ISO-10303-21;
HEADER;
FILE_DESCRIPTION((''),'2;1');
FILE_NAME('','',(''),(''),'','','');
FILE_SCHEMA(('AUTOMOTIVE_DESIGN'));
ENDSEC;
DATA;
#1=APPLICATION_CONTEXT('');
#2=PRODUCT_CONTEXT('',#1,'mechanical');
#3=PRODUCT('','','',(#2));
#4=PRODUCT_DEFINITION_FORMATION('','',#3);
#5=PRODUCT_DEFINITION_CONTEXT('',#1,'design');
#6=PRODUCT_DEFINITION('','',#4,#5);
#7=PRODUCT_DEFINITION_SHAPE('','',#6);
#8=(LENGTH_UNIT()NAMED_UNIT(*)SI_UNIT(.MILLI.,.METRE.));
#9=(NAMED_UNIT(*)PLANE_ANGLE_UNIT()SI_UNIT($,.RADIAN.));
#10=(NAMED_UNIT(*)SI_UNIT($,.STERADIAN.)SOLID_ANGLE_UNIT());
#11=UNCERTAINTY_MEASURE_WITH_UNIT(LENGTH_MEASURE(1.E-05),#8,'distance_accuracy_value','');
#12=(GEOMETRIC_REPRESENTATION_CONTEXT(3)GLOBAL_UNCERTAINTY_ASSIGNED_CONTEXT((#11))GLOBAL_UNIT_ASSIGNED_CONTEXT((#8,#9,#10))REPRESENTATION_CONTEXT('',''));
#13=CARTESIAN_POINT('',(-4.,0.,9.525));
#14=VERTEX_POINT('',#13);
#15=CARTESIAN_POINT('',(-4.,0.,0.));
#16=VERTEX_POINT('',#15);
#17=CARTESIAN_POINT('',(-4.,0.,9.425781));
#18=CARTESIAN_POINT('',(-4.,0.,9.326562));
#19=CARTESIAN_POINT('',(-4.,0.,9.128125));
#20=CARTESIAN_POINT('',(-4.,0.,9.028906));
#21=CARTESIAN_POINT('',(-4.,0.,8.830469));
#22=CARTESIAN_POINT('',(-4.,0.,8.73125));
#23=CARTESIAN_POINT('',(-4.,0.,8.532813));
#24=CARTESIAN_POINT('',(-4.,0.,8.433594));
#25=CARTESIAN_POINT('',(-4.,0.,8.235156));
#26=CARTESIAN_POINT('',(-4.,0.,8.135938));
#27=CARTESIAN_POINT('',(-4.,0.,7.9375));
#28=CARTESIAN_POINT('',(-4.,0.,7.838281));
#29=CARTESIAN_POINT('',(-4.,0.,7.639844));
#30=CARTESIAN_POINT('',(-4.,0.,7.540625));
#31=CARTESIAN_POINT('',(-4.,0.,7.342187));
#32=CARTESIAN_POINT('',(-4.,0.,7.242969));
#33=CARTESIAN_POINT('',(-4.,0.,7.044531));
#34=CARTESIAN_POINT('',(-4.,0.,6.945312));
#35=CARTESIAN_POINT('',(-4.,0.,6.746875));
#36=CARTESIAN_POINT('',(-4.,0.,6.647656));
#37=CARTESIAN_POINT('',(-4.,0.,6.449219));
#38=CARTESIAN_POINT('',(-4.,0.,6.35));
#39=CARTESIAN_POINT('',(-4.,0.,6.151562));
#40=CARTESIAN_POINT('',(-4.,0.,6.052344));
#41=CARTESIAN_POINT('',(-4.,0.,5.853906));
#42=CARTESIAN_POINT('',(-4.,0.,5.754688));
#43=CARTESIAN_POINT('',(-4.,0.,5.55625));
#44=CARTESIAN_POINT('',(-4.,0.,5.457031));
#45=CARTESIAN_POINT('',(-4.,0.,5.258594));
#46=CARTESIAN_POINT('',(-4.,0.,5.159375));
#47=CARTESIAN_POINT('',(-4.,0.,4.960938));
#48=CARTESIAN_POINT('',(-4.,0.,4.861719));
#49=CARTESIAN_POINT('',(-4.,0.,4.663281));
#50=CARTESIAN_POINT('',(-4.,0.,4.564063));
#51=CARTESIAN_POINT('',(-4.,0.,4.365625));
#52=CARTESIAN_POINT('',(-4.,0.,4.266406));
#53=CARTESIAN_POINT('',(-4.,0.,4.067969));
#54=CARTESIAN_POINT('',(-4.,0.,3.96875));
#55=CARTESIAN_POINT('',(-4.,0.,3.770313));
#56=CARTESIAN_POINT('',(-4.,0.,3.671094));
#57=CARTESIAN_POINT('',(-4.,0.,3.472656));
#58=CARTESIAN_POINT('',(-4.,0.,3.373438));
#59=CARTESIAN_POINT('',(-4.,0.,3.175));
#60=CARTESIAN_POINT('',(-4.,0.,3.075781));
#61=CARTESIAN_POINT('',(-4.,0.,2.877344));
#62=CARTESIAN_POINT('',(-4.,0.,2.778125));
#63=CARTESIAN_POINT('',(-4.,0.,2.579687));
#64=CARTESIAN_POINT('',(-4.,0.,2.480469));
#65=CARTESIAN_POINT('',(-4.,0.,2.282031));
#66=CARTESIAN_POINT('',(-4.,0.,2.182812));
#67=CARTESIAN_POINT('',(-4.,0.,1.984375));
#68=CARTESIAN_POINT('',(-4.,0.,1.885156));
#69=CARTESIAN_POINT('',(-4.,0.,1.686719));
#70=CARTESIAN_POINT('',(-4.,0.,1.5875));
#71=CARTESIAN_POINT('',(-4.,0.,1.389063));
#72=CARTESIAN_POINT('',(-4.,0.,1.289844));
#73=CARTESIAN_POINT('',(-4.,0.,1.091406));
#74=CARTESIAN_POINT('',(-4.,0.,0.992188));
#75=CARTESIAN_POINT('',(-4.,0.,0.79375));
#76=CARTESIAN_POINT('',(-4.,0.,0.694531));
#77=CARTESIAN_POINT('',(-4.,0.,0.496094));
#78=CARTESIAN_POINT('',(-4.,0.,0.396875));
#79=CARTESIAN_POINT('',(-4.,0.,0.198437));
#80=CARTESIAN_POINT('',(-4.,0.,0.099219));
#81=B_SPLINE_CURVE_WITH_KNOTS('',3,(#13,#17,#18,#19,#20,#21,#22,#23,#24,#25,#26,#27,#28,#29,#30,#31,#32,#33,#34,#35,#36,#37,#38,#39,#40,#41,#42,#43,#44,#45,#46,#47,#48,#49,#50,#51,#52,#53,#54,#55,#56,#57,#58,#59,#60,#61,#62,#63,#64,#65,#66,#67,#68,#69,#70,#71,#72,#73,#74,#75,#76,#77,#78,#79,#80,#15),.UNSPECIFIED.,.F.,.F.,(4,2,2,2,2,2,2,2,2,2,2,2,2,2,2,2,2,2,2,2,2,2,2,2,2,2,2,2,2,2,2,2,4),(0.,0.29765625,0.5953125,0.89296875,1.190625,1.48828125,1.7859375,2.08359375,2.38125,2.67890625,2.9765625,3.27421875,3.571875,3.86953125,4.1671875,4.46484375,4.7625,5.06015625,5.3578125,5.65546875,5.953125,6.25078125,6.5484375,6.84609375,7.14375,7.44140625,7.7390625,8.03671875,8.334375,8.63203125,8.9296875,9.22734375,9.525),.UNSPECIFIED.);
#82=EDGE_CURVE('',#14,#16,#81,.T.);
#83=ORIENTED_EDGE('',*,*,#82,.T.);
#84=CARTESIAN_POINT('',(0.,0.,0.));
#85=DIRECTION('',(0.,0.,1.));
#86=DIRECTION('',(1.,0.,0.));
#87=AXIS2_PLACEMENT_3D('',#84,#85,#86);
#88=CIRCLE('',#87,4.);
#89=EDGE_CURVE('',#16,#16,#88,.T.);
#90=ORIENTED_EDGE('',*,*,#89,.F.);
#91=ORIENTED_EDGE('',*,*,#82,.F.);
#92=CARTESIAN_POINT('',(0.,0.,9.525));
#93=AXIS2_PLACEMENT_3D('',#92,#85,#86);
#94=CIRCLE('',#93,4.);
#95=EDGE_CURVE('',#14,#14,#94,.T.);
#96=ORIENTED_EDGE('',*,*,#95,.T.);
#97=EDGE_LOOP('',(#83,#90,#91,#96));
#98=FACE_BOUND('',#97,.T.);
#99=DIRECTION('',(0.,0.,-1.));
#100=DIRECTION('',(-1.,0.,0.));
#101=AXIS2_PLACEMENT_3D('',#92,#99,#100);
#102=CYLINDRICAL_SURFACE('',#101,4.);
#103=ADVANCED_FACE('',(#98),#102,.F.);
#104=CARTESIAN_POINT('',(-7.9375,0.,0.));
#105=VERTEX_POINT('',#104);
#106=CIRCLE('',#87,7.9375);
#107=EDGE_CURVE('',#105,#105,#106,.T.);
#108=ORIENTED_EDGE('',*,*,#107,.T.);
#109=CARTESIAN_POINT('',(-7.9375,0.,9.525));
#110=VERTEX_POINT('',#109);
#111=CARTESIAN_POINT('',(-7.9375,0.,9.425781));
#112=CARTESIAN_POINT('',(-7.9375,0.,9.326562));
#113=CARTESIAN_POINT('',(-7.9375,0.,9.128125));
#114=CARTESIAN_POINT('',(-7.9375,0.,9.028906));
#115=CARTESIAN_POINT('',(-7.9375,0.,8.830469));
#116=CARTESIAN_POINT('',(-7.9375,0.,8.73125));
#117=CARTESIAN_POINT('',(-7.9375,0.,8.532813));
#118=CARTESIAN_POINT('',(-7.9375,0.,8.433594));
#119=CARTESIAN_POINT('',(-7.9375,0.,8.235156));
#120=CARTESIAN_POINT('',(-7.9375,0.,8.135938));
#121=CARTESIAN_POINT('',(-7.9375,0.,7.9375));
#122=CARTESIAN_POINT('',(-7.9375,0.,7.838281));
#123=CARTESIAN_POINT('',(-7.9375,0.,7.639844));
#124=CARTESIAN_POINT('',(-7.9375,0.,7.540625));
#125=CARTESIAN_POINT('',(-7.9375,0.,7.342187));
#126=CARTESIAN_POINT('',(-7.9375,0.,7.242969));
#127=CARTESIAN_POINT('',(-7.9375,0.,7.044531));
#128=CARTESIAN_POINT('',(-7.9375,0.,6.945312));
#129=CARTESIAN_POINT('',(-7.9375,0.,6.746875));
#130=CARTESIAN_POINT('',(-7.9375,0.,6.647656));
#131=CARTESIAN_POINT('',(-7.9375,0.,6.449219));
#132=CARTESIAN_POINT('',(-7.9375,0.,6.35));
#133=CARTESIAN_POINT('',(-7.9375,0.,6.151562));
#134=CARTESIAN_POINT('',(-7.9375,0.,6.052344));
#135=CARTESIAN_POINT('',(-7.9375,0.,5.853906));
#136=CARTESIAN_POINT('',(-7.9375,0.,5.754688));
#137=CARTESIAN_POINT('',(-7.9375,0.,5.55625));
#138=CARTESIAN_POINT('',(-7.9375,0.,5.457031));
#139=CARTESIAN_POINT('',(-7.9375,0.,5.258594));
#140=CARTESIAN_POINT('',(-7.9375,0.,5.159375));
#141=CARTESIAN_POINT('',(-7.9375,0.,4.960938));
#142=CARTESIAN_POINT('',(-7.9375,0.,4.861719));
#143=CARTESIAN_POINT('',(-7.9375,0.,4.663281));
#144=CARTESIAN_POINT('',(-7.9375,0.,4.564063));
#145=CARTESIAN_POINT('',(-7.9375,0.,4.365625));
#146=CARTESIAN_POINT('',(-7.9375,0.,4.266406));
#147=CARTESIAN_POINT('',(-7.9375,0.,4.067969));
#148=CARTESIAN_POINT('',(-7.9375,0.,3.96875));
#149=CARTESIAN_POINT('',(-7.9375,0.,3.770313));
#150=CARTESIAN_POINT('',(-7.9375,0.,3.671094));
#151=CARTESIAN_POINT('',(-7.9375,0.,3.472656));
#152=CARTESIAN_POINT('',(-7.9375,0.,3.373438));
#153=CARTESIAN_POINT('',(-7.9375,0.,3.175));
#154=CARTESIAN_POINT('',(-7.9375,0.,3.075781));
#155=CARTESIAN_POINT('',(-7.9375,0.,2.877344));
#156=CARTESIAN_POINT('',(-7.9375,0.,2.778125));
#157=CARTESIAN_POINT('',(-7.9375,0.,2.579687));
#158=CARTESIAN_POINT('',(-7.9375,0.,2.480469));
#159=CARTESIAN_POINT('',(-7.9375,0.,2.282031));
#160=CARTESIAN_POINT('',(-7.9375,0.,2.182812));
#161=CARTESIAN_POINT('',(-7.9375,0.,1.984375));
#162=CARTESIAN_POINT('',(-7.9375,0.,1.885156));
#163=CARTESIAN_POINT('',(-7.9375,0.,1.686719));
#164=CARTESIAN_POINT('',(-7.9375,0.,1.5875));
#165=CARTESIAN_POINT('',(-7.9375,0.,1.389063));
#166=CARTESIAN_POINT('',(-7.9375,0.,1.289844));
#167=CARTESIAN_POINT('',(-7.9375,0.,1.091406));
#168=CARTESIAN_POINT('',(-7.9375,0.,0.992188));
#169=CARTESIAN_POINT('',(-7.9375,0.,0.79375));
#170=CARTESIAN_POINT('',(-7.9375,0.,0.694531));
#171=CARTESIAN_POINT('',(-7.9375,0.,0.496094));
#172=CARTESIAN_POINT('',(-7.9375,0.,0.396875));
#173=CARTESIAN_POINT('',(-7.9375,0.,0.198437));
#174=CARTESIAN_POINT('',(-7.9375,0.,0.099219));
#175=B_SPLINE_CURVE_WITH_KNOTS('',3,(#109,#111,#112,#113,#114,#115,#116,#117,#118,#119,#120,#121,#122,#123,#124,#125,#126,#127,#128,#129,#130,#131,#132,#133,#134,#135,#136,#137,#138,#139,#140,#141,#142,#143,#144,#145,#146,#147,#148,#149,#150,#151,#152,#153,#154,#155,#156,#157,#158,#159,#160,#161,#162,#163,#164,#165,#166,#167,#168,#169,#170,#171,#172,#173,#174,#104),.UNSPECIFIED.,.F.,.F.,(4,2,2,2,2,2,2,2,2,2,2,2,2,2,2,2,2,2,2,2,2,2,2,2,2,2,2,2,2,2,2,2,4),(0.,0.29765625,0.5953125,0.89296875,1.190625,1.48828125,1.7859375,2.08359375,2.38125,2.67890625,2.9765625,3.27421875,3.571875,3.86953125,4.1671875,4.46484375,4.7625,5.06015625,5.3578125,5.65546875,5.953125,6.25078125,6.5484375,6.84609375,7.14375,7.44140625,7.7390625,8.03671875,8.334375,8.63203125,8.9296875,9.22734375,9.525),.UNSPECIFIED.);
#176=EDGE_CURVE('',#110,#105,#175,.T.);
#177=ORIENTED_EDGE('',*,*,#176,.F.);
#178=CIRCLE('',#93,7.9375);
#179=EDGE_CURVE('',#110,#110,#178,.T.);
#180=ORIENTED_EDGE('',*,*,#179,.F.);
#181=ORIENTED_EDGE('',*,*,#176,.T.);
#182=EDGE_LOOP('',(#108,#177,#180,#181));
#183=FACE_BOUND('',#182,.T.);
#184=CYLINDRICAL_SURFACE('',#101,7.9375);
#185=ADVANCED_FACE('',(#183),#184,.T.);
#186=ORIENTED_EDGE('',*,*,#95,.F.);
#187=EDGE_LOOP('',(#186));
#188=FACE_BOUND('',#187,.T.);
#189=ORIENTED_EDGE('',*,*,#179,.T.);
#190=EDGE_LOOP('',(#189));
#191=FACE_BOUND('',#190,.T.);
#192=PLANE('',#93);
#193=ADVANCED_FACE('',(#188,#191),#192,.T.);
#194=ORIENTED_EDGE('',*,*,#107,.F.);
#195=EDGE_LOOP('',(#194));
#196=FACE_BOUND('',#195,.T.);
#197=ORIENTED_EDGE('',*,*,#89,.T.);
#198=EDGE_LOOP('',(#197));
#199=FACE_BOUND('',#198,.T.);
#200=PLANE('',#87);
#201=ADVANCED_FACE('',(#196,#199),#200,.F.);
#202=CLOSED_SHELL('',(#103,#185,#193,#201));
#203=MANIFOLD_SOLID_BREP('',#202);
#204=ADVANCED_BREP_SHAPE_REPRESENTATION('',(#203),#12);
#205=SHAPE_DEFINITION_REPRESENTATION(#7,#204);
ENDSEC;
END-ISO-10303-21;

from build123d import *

# Parameters (mm, degrees)
SKETCH1_R           = 7.9375
SKETCH1_R_2         = 4
BOSS_EXTRUDE1_DEPTH = 9.525


with BuildPart() as part:
    # Sketch1 → Boss-Extrude1 (new body)
    with BuildSketch(Plane.XY):
        Circle(SKETCH1_R)
        Circle(SKETCH1_R_2, mode=Mode.SUBTRACT)
    extrude(amount=BOSS_EXTRUDE1_DEPTH)


solid = part.part
